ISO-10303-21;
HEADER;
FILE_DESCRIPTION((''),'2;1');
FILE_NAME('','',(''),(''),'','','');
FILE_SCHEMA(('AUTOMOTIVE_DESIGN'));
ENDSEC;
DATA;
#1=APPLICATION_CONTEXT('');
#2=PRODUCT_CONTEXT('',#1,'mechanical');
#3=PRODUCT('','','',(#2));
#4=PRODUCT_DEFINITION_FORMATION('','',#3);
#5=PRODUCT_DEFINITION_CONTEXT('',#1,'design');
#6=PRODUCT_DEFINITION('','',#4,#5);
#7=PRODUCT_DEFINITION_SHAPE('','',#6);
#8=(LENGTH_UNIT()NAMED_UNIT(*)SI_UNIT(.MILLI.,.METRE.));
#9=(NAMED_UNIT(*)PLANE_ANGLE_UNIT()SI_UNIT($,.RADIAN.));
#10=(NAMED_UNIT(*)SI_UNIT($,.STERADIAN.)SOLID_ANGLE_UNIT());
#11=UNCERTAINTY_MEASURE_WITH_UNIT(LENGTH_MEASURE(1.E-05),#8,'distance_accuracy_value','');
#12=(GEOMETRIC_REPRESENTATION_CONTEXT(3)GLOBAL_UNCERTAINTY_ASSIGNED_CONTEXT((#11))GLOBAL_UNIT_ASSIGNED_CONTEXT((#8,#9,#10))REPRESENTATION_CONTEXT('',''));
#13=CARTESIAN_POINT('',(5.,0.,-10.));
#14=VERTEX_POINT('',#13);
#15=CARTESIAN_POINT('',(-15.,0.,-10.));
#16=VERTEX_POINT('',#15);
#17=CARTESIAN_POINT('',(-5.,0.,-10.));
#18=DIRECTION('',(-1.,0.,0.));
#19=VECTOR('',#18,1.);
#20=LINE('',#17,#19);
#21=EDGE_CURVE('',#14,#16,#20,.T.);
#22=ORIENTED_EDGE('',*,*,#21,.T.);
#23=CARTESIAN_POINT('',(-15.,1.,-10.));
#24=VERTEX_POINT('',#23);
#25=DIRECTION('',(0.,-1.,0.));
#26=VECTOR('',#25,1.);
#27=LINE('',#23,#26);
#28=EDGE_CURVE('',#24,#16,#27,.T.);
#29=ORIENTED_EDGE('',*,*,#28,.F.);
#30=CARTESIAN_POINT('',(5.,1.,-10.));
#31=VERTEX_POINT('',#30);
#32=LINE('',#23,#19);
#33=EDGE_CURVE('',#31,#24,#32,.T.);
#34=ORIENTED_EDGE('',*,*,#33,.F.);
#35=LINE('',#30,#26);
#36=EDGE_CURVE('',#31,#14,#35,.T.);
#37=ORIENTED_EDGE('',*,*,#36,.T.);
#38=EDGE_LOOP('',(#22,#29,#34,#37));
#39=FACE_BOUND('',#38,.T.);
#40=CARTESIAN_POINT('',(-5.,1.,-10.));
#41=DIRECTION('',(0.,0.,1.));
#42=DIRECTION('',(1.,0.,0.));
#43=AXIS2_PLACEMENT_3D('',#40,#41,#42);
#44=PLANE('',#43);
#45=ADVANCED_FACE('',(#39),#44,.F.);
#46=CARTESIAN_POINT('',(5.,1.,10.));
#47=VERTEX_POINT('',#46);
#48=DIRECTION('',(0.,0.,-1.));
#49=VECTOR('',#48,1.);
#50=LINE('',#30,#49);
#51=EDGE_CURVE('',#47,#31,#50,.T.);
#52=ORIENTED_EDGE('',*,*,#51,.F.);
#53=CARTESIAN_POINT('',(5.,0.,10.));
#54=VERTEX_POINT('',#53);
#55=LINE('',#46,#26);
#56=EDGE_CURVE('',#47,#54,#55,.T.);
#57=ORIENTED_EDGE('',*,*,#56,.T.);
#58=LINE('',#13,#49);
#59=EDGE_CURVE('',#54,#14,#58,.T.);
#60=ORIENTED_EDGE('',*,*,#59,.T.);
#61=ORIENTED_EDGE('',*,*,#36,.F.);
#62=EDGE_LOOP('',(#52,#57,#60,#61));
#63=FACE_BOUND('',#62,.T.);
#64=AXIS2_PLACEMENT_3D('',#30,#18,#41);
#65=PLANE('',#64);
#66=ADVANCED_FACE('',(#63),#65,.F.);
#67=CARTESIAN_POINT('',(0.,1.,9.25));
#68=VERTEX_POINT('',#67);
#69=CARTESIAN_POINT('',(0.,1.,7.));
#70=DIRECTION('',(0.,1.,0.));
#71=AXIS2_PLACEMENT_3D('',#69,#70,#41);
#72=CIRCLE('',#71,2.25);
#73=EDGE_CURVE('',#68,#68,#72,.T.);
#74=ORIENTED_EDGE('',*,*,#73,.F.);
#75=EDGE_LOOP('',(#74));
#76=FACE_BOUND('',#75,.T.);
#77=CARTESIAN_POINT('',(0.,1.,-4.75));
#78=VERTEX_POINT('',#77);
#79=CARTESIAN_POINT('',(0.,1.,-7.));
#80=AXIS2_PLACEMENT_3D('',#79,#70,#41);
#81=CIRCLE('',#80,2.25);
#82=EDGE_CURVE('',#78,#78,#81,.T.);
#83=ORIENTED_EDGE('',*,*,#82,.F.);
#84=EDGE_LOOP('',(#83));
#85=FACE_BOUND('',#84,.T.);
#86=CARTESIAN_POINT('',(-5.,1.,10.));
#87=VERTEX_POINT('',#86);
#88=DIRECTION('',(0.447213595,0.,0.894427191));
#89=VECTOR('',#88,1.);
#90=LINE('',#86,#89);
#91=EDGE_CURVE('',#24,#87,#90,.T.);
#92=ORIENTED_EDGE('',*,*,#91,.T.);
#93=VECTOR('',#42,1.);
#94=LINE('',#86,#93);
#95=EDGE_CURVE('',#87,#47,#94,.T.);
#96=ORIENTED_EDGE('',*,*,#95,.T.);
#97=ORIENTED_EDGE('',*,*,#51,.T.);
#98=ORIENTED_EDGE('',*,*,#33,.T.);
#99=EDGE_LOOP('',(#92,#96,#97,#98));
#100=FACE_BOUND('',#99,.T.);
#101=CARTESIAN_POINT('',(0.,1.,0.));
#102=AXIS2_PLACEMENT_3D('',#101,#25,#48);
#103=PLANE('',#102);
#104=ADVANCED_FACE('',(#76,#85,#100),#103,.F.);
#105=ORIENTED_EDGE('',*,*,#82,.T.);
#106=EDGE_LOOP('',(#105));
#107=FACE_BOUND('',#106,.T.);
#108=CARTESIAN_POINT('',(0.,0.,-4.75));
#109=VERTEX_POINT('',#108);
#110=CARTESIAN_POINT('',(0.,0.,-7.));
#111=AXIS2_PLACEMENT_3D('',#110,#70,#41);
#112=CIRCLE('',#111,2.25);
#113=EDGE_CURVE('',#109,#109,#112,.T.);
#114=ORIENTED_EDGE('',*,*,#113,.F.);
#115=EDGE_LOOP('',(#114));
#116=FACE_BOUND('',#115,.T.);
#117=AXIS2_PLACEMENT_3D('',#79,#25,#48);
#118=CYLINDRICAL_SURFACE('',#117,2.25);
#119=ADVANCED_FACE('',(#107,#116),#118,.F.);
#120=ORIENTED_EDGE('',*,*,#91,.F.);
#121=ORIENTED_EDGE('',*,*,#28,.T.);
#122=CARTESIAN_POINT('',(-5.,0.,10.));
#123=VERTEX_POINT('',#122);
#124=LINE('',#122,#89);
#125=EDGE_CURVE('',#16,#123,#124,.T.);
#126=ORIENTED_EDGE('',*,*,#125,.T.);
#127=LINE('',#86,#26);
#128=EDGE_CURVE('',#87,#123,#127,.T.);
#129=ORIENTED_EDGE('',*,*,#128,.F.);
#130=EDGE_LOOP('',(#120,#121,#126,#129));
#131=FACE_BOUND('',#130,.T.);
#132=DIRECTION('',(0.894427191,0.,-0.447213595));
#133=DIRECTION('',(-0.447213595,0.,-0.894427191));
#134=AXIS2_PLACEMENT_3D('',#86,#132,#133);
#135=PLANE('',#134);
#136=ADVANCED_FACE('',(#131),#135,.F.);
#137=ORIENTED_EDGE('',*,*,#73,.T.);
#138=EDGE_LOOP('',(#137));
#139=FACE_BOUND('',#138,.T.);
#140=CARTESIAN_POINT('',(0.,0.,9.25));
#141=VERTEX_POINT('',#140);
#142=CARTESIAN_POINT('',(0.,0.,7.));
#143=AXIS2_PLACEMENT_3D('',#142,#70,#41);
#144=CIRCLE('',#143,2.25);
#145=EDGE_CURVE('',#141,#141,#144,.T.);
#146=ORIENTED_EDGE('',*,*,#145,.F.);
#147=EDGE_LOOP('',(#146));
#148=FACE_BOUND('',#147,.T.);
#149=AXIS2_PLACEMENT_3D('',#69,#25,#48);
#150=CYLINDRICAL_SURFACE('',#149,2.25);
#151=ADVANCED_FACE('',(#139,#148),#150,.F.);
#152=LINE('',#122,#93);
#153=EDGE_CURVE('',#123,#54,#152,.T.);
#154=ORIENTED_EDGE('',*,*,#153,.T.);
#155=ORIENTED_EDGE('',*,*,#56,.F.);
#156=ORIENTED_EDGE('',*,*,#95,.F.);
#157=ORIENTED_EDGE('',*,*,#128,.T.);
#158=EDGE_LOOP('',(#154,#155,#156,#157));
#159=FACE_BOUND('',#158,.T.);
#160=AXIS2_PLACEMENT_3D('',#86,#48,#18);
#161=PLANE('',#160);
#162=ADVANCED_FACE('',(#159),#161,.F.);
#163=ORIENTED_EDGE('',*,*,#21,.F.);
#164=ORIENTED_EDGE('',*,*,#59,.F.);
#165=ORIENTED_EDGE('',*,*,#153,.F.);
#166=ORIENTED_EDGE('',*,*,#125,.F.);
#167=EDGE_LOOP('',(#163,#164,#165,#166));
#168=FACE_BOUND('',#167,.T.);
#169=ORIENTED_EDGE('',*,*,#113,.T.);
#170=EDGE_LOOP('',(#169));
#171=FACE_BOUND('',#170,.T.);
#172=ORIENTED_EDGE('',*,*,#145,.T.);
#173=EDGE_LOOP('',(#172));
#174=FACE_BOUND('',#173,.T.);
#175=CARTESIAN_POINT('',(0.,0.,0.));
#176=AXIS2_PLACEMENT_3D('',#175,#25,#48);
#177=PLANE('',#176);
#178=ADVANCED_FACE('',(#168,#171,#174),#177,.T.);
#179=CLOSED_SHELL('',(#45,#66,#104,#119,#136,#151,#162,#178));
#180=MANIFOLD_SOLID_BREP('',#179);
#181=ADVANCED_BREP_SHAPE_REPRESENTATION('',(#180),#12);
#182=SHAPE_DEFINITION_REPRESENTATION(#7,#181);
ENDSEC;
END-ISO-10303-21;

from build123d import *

# Parameters (mm, degrees)
SKETCH1_R           = 2.25
BOSS_EXTRUDE1_DEPTH = 1


with BuildPart() as part:
    # Sketch1 → Boss-Extrude1 (new body)
    with BuildSketch(Plane(origin=(0, 0, 0), x_dir=(1, 0, 0), z_dir=(0, 1, 0))):
        Polygon((-5, -10), (-15, 10), (-5, 10), (5, 10), (5, -10), align=None)
        with Locations(Location((0, 7, 0), (0, 0, 270))):
            Circle(SKETCH1_R, mode=Mode.SUBTRACT)
        with Locations(Location((0, -7, 0), (0, 0, 270))):
            Circle(SKETCH1_R, mode=Mode.SUBTRACT)
    extrude(amount=BOSS_EXTRUDE1_DEPTH)


solid = part.part
